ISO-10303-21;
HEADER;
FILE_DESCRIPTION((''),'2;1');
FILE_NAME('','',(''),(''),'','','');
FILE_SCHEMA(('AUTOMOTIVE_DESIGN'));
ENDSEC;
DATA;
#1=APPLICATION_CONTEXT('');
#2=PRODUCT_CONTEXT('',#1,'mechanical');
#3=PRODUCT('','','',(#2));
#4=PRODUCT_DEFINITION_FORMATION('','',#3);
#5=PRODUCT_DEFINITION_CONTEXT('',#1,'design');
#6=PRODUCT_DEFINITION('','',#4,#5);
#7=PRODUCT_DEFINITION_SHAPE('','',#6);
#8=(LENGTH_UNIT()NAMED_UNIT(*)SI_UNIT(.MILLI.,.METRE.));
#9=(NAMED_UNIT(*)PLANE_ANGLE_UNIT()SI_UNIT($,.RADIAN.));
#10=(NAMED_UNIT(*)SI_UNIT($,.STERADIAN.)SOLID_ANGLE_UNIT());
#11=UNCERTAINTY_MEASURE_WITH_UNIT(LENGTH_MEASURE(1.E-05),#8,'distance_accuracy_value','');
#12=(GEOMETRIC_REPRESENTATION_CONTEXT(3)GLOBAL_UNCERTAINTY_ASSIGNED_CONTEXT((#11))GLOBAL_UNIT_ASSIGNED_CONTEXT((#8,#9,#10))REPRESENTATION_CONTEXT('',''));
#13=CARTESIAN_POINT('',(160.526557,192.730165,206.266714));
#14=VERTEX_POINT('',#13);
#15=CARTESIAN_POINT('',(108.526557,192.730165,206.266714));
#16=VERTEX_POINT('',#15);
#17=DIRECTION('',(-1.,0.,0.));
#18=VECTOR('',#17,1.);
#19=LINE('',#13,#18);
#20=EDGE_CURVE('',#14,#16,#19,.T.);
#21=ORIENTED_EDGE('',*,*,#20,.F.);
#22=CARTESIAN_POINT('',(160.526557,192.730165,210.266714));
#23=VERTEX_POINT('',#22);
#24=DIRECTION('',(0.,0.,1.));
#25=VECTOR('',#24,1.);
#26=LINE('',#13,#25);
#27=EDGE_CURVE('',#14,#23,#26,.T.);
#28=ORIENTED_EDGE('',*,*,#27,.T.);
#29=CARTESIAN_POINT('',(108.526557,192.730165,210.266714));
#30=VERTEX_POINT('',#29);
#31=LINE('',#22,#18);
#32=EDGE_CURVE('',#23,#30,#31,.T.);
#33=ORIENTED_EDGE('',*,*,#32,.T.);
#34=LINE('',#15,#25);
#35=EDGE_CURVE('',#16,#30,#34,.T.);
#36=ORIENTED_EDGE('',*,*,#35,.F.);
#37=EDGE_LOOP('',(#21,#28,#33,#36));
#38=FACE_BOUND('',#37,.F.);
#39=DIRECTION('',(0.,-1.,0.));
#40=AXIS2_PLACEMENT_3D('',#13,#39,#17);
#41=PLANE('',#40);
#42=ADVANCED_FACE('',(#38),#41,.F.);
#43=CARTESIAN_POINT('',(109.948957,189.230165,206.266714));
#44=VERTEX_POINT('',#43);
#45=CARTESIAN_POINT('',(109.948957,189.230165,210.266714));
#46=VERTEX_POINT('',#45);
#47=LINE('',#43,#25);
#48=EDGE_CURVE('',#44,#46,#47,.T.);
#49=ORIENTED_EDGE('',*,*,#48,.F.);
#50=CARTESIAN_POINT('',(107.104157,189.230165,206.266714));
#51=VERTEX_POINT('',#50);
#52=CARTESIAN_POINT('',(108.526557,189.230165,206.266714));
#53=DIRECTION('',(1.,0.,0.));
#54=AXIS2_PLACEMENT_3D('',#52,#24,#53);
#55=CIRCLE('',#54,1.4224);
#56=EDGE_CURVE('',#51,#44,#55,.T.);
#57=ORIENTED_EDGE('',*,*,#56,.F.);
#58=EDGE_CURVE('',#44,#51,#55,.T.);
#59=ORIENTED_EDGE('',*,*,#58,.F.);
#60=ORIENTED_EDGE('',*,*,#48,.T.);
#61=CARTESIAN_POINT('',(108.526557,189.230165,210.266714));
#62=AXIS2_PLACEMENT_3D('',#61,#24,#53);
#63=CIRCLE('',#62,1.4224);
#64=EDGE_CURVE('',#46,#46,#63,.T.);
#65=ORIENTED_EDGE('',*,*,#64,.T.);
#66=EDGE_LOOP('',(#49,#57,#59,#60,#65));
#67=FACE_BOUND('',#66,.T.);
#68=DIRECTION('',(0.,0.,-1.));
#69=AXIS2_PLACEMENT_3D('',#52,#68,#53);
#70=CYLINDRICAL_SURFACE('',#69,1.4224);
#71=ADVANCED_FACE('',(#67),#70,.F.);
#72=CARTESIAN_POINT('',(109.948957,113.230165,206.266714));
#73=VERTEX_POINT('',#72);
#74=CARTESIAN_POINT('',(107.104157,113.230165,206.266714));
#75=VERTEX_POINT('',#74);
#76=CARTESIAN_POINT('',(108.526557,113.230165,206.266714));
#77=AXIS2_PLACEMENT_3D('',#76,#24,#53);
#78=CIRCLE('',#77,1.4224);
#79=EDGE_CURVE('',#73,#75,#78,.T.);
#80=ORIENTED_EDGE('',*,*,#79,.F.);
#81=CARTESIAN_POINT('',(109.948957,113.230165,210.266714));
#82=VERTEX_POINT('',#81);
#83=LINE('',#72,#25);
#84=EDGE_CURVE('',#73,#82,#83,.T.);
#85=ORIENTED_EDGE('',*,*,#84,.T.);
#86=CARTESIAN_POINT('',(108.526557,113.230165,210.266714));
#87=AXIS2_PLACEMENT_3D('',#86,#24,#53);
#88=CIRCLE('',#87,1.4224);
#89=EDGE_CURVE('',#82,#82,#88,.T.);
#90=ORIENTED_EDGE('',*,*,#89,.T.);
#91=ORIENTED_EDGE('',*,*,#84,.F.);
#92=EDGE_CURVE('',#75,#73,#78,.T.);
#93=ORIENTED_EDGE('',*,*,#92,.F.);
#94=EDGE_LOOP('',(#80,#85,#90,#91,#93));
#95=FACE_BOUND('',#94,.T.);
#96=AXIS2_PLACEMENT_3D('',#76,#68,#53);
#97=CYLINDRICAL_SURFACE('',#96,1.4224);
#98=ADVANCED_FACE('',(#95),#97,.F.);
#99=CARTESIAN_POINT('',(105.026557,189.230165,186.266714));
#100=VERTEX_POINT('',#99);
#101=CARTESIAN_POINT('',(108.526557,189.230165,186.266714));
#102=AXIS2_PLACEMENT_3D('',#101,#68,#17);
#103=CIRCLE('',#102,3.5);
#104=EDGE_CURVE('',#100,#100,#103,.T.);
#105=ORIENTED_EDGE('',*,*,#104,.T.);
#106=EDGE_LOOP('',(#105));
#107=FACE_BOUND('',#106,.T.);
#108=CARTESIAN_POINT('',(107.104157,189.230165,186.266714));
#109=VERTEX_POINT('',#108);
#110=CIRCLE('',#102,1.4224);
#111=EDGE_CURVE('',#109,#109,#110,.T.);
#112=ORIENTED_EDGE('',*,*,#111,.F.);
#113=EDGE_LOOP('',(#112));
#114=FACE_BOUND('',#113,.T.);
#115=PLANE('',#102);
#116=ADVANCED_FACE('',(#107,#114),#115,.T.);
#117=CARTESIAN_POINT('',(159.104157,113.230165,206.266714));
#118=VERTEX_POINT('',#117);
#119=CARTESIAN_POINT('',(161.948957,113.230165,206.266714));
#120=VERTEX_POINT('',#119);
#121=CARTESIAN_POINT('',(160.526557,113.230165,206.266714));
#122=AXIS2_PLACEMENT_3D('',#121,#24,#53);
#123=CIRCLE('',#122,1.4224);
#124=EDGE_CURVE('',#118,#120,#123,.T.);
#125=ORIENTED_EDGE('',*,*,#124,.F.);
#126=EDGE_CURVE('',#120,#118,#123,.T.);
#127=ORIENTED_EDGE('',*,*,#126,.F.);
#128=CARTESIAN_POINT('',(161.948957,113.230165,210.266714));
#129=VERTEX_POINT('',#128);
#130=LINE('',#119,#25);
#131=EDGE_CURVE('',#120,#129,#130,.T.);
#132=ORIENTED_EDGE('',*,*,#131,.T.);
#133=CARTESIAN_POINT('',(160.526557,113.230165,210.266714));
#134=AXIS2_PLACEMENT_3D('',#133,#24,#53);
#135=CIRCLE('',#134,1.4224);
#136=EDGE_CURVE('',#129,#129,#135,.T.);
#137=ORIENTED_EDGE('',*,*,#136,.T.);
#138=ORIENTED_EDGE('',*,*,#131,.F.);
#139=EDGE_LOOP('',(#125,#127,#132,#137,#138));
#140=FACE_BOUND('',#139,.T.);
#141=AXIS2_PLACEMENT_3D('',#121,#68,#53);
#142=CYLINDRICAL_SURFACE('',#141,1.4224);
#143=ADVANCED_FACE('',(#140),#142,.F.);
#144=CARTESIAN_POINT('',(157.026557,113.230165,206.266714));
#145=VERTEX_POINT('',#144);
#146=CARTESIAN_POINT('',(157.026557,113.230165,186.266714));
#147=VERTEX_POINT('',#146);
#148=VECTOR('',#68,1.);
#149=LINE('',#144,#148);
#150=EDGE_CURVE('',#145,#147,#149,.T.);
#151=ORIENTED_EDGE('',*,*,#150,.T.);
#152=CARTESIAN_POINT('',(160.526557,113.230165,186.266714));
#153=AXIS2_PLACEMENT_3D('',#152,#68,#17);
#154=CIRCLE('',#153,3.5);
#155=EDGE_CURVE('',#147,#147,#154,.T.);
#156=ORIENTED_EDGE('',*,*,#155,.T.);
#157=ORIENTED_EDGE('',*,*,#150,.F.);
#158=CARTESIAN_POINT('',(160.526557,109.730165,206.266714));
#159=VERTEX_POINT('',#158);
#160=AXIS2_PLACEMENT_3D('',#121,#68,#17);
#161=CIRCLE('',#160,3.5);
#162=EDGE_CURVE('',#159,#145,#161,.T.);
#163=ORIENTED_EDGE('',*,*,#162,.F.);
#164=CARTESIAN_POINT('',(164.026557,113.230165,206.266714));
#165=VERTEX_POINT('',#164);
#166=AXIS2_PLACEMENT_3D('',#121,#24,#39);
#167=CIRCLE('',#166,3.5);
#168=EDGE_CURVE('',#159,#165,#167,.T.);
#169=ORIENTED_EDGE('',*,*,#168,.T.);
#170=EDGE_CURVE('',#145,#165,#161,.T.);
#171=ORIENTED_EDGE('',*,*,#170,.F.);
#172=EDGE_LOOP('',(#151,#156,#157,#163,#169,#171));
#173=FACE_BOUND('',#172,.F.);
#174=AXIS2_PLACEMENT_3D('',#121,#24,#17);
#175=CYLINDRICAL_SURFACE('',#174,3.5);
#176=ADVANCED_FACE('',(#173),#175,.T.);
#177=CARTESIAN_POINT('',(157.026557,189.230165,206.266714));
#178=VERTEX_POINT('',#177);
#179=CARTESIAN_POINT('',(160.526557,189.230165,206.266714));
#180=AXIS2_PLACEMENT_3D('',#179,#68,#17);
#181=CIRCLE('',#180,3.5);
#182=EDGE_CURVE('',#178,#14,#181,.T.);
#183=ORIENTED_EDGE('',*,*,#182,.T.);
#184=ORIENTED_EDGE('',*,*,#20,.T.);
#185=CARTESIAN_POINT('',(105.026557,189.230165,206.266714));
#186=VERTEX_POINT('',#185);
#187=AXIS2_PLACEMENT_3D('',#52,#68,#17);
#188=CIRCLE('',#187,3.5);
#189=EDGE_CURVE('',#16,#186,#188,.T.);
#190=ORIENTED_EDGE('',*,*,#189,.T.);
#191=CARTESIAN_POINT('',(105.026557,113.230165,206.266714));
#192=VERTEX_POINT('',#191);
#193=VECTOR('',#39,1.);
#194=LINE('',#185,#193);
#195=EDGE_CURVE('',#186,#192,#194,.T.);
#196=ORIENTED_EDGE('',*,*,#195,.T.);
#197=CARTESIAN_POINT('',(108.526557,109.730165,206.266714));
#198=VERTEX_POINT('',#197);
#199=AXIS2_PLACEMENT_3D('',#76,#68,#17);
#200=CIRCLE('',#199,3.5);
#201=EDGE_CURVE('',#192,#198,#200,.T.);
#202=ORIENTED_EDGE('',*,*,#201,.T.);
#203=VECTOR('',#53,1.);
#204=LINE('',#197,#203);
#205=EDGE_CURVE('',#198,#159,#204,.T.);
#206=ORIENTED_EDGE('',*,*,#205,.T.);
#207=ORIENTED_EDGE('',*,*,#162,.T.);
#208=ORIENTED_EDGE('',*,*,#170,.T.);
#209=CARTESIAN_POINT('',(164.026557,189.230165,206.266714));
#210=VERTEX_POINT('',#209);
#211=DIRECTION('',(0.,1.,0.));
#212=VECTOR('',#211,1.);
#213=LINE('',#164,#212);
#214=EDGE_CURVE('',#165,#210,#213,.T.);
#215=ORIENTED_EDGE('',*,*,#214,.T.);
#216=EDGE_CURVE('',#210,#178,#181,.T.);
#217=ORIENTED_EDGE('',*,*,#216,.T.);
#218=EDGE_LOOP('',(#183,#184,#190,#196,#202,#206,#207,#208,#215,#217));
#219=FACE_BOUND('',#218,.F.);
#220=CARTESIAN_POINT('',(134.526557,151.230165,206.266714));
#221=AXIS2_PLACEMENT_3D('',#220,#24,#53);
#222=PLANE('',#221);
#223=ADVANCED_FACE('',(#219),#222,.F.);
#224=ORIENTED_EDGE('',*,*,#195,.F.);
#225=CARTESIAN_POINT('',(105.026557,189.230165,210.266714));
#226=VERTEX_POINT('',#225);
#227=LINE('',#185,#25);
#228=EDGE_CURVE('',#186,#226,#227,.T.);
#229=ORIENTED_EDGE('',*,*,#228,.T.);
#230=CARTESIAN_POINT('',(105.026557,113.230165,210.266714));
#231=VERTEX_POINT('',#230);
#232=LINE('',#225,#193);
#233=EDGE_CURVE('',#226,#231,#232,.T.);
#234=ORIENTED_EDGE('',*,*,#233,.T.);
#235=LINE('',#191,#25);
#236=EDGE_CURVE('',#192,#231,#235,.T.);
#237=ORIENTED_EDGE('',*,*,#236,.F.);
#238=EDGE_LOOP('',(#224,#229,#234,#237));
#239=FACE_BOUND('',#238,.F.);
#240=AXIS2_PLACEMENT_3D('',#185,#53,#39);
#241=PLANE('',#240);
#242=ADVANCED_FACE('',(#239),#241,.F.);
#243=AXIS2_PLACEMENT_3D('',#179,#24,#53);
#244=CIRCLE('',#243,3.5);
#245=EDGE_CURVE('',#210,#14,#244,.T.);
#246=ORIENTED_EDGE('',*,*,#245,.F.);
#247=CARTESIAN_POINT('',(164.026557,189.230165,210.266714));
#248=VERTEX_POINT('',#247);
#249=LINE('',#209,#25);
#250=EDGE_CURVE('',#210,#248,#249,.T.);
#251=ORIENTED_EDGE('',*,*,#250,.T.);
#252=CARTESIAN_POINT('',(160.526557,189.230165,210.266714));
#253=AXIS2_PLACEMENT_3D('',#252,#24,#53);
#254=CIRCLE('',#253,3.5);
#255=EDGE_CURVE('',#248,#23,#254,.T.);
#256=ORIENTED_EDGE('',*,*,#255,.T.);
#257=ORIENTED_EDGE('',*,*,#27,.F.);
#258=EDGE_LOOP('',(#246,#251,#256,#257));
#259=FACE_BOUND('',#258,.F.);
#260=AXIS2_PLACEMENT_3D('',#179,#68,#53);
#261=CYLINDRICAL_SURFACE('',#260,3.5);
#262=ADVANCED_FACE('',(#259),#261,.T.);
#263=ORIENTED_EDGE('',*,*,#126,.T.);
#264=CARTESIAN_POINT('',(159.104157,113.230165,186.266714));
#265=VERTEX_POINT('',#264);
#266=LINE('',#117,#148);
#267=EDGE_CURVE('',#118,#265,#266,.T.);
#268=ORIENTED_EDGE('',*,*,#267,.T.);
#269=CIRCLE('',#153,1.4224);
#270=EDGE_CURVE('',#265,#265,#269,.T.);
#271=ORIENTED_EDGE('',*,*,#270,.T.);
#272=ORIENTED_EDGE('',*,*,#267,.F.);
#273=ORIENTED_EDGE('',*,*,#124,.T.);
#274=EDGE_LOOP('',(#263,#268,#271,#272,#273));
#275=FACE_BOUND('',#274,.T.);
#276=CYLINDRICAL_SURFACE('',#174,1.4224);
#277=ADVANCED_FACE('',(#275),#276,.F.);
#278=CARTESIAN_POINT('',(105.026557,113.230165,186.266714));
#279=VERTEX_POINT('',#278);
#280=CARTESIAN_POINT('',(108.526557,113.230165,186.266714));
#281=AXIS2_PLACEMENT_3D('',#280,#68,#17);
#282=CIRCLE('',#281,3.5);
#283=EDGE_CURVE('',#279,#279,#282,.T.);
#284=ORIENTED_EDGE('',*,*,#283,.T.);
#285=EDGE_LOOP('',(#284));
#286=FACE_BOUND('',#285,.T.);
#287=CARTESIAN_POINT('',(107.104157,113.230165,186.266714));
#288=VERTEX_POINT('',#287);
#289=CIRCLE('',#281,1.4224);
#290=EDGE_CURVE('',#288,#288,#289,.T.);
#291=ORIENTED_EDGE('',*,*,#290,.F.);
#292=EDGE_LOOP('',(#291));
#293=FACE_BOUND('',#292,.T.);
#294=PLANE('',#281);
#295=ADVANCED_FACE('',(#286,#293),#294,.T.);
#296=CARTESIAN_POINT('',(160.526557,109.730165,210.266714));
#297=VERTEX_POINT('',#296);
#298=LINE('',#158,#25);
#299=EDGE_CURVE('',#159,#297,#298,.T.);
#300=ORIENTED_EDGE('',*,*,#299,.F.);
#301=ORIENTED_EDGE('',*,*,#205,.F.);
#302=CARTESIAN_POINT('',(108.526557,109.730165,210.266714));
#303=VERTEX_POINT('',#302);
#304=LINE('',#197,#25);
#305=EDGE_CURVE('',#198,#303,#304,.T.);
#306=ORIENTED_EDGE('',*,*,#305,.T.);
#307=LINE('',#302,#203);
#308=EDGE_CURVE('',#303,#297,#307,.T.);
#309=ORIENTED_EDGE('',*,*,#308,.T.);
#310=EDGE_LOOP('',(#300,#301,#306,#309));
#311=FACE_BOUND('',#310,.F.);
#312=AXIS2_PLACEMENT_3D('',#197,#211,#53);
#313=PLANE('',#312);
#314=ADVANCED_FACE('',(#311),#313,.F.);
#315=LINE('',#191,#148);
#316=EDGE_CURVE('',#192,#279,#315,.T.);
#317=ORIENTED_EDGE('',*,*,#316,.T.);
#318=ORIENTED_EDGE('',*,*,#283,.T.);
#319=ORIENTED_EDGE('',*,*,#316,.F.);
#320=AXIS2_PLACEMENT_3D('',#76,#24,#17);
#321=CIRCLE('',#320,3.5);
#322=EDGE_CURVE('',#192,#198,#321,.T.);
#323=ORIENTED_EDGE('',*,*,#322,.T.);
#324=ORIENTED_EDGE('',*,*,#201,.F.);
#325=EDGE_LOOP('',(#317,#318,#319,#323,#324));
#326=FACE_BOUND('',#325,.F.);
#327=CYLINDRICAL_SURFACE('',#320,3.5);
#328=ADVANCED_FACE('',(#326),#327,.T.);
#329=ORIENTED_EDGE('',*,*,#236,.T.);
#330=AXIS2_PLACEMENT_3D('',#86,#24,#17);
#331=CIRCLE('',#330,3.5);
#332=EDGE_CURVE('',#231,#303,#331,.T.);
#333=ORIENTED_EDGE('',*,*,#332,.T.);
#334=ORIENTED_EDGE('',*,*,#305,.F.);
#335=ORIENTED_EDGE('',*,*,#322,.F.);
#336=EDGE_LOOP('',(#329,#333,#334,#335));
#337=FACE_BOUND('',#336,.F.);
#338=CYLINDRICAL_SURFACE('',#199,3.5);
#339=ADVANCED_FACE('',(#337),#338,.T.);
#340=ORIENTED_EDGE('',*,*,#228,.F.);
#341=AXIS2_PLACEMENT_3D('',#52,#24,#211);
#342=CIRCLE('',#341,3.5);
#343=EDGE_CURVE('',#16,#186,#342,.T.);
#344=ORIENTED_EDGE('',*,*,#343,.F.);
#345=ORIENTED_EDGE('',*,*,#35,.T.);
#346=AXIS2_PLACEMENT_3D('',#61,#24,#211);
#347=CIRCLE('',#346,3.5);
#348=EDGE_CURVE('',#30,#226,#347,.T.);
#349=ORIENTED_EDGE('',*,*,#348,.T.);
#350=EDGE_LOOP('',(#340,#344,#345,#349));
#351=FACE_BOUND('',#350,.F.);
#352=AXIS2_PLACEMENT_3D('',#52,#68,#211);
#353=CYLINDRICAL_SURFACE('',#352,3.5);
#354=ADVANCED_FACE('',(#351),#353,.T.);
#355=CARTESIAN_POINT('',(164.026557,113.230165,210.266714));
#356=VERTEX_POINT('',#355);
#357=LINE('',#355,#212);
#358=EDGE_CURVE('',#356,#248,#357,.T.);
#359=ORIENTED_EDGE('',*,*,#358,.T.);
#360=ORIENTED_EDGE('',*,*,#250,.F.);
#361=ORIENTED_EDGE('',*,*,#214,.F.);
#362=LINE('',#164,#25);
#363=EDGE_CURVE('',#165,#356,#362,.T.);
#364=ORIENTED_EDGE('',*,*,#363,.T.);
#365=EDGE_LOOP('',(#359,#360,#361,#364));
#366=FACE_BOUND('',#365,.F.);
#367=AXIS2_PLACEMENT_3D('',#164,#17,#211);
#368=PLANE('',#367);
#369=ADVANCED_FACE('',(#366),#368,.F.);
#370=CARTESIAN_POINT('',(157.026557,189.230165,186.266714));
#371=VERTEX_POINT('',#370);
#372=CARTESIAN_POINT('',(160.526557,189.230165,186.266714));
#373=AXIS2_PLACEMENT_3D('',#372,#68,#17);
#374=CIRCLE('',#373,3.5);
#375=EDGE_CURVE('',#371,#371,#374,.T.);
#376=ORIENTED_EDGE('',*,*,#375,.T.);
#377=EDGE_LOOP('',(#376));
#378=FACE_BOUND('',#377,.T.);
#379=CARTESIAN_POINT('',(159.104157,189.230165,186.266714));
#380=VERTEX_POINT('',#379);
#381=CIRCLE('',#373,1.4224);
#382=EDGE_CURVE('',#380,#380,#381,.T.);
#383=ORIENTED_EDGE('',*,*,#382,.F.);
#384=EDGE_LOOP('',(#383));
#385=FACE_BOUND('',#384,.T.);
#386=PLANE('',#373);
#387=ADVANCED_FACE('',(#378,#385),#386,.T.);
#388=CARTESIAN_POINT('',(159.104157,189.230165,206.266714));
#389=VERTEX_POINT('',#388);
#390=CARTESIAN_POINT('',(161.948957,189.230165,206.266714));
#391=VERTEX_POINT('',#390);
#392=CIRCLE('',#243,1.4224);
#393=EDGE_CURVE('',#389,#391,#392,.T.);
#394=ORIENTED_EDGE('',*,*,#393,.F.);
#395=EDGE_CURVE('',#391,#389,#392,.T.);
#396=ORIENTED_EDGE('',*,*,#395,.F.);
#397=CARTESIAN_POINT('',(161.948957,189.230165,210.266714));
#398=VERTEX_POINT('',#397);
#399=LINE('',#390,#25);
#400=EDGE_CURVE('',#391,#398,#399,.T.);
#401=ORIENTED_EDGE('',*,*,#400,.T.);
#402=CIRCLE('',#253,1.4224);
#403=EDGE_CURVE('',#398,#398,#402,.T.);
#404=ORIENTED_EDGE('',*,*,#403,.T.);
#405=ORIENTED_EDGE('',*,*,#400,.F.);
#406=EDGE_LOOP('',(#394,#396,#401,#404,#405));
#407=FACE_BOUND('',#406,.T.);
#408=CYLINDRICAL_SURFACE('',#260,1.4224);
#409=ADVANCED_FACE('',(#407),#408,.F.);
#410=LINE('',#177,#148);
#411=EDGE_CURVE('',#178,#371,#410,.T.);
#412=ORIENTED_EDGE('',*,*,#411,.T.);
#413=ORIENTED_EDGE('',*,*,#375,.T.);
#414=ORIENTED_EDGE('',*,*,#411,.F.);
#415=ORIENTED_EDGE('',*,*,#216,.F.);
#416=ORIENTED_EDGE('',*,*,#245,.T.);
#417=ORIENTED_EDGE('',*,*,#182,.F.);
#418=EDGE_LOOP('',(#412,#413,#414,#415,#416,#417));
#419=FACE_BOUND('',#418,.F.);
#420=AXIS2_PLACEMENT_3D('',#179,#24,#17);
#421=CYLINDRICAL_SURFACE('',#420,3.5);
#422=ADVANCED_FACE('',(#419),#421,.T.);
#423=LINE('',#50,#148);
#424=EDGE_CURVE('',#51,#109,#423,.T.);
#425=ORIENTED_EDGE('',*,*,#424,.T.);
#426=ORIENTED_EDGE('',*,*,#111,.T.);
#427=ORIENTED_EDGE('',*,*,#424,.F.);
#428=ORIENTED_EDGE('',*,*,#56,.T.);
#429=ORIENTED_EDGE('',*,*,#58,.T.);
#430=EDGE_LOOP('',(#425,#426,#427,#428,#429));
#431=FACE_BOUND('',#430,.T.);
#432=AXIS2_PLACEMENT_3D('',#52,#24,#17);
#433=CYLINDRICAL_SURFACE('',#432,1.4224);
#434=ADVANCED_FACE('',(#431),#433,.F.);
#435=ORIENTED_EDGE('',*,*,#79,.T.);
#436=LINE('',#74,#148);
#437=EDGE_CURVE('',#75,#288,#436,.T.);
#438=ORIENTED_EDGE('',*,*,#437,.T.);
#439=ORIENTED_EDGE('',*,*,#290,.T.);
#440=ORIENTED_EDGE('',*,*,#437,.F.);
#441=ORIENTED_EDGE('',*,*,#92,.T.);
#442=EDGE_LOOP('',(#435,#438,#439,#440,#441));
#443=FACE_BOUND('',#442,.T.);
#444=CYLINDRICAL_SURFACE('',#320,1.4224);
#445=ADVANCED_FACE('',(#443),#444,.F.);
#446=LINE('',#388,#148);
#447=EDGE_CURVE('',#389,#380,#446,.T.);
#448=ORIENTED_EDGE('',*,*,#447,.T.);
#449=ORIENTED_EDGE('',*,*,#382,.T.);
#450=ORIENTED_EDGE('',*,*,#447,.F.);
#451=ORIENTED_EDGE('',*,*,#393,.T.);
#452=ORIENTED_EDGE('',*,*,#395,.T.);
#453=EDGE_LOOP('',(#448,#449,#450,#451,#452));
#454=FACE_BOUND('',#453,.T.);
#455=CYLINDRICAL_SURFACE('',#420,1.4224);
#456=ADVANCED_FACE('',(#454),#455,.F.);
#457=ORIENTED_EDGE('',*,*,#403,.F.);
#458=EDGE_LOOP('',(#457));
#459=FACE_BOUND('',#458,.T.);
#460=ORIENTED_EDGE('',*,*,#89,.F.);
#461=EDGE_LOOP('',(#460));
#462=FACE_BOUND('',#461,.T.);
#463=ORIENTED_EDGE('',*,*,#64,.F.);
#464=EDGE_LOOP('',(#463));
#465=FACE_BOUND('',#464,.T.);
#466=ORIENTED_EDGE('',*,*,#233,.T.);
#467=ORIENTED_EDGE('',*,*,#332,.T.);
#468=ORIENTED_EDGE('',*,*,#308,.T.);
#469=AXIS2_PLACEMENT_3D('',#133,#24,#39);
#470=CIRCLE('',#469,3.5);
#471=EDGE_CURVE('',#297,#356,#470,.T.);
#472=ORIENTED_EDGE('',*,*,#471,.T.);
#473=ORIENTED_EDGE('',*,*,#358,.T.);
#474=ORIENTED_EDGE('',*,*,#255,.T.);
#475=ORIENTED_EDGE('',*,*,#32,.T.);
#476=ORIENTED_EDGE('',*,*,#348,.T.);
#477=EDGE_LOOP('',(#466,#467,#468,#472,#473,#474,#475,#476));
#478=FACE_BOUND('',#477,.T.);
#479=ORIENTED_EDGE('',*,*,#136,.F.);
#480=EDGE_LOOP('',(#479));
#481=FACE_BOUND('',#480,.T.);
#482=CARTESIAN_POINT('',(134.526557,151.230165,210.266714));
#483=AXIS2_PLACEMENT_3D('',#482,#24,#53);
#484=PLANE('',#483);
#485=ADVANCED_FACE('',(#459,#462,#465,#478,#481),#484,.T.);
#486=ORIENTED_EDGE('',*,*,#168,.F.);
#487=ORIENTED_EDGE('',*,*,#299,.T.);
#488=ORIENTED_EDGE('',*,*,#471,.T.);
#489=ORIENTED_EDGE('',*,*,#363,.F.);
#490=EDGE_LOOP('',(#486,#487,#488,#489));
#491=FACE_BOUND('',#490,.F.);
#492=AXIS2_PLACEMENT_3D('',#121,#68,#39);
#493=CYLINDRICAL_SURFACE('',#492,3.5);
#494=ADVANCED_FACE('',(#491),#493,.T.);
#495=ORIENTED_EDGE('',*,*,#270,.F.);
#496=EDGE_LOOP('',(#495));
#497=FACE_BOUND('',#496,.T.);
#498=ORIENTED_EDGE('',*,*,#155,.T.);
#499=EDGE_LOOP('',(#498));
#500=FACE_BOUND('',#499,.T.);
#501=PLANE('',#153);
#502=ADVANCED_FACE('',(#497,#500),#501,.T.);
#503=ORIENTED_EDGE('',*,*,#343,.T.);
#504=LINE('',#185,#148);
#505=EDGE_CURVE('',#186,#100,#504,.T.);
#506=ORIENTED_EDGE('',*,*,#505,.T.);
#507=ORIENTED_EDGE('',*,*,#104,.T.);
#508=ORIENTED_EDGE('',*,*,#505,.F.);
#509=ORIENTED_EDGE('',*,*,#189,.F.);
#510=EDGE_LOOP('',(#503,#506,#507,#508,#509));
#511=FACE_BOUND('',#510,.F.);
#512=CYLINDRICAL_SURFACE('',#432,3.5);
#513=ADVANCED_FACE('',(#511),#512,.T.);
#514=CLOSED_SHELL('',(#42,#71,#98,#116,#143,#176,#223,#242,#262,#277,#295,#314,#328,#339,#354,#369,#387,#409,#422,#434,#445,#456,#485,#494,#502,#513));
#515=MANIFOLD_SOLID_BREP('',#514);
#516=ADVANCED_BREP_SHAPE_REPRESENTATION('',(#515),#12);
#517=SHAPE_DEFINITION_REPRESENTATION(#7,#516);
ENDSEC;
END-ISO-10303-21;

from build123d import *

# Parameters (mm, degrees)
SKETCH1_R           = 1.4224
BOSS_EXTRUDE1_DEPTH = 4
SKETCH3_R           = 3.5
SKETCH3_R_2         = 1.4224
BOSS_EXTRUDE2_DEPTH = 20


with BuildPart() as part:
    # Sketch1 → Boss-Extrude1 (new body)
    with BuildSketch(Plane.XY.offset(206.266714263)):
        with BuildLine():
            Line((164.026557277, 113.230165261), (164.026557277, 189.230165261))
            ThreePointArc((164.026557277, 189.230165261), (163.001431011, 191.705038995), (160.526557277, 192.730165261))
            Line((160.526557277, 192.730165261), (108.526557277, 192.730165261))
            ThreePointArc((108.526557277, 192.730165261), (106.051683543, 191.705038995), (105.026557277, 189.230165261))
            Line((105.026557277, 189.230165261), (105.026557277, 113.230165261))
            ThreePointArc((105.026557277, 113.230165261), (106.051683543, 110.755291526), (108.526557277, 109.730165261))
            Line((108.526557277, 109.730165261), (160.526557277, 109.730165261))
            ThreePointArc((160.526557277, 109.730165261), (163.001431011, 110.755291526), (164.026557277, 113.230165261))
        make_face()
        with Locations((160.526557277, 113.230165261)):
            Circle(SKETCH1_R, mode=Mode.SUBTRACT)
        with Locations((108.526557277, 113.230165261)):
            Circle(SKETCH1_R, mode=Mode.SUBTRACT)
        with Locations((160.526557277, 189.230165261)):
            Circle(SKETCH1_R, mode=Mode.SUBTRACT)
        with Locations((108.526557277, 189.230165261)):
            Circle(SKETCH1_R, mode=Mode.SUBTRACT)
    extrude(amount=BOSS_EXTRUDE1_DEPTH)

    # Sketch3 → Boss-Extrude2 (add)
    with BuildSketch(Plane(origin=(0, 0, 206.266714263), x_dir=(-1, 0, 0), z_dir=(0, 0, -1))):
        with Locations((-108.526557277, 189.230165261)):
            Circle(SKETCH3_R)
        with Locations((-108.526557277, 189.230165261)):
            Circle(SKETCH3_R_2, mode=Mode.SUBTRACT)
        with Locations((-160.526557277, 189.230165261)):
            Circle(SKETCH3_R)
        with Locations((-160.526557277, 189.230165261)):
            Circle(SKETCH3_R_2, mode=Mode.SUBTRACT)
        with Locations((-160.526557277, 113.230165261)):
            Circle(SKETCH3_R)
        with Locations((-160.526557277, 113.230165261)):
            Circle(SKETCH3_R_2, mode=Mode.SUBTRACT)
        with Locations((-108.526557277, 113.230165261)):
            Circle(SKETCH3_R)
        with Locations((-108.526557277, 113.230165261)):
            Circle(SKETCH3_R_2, mode=Mode.SUBTRACT)
    extrude(amount=BOSS_EXTRUDE2_DEPTH)


solid = part.part
